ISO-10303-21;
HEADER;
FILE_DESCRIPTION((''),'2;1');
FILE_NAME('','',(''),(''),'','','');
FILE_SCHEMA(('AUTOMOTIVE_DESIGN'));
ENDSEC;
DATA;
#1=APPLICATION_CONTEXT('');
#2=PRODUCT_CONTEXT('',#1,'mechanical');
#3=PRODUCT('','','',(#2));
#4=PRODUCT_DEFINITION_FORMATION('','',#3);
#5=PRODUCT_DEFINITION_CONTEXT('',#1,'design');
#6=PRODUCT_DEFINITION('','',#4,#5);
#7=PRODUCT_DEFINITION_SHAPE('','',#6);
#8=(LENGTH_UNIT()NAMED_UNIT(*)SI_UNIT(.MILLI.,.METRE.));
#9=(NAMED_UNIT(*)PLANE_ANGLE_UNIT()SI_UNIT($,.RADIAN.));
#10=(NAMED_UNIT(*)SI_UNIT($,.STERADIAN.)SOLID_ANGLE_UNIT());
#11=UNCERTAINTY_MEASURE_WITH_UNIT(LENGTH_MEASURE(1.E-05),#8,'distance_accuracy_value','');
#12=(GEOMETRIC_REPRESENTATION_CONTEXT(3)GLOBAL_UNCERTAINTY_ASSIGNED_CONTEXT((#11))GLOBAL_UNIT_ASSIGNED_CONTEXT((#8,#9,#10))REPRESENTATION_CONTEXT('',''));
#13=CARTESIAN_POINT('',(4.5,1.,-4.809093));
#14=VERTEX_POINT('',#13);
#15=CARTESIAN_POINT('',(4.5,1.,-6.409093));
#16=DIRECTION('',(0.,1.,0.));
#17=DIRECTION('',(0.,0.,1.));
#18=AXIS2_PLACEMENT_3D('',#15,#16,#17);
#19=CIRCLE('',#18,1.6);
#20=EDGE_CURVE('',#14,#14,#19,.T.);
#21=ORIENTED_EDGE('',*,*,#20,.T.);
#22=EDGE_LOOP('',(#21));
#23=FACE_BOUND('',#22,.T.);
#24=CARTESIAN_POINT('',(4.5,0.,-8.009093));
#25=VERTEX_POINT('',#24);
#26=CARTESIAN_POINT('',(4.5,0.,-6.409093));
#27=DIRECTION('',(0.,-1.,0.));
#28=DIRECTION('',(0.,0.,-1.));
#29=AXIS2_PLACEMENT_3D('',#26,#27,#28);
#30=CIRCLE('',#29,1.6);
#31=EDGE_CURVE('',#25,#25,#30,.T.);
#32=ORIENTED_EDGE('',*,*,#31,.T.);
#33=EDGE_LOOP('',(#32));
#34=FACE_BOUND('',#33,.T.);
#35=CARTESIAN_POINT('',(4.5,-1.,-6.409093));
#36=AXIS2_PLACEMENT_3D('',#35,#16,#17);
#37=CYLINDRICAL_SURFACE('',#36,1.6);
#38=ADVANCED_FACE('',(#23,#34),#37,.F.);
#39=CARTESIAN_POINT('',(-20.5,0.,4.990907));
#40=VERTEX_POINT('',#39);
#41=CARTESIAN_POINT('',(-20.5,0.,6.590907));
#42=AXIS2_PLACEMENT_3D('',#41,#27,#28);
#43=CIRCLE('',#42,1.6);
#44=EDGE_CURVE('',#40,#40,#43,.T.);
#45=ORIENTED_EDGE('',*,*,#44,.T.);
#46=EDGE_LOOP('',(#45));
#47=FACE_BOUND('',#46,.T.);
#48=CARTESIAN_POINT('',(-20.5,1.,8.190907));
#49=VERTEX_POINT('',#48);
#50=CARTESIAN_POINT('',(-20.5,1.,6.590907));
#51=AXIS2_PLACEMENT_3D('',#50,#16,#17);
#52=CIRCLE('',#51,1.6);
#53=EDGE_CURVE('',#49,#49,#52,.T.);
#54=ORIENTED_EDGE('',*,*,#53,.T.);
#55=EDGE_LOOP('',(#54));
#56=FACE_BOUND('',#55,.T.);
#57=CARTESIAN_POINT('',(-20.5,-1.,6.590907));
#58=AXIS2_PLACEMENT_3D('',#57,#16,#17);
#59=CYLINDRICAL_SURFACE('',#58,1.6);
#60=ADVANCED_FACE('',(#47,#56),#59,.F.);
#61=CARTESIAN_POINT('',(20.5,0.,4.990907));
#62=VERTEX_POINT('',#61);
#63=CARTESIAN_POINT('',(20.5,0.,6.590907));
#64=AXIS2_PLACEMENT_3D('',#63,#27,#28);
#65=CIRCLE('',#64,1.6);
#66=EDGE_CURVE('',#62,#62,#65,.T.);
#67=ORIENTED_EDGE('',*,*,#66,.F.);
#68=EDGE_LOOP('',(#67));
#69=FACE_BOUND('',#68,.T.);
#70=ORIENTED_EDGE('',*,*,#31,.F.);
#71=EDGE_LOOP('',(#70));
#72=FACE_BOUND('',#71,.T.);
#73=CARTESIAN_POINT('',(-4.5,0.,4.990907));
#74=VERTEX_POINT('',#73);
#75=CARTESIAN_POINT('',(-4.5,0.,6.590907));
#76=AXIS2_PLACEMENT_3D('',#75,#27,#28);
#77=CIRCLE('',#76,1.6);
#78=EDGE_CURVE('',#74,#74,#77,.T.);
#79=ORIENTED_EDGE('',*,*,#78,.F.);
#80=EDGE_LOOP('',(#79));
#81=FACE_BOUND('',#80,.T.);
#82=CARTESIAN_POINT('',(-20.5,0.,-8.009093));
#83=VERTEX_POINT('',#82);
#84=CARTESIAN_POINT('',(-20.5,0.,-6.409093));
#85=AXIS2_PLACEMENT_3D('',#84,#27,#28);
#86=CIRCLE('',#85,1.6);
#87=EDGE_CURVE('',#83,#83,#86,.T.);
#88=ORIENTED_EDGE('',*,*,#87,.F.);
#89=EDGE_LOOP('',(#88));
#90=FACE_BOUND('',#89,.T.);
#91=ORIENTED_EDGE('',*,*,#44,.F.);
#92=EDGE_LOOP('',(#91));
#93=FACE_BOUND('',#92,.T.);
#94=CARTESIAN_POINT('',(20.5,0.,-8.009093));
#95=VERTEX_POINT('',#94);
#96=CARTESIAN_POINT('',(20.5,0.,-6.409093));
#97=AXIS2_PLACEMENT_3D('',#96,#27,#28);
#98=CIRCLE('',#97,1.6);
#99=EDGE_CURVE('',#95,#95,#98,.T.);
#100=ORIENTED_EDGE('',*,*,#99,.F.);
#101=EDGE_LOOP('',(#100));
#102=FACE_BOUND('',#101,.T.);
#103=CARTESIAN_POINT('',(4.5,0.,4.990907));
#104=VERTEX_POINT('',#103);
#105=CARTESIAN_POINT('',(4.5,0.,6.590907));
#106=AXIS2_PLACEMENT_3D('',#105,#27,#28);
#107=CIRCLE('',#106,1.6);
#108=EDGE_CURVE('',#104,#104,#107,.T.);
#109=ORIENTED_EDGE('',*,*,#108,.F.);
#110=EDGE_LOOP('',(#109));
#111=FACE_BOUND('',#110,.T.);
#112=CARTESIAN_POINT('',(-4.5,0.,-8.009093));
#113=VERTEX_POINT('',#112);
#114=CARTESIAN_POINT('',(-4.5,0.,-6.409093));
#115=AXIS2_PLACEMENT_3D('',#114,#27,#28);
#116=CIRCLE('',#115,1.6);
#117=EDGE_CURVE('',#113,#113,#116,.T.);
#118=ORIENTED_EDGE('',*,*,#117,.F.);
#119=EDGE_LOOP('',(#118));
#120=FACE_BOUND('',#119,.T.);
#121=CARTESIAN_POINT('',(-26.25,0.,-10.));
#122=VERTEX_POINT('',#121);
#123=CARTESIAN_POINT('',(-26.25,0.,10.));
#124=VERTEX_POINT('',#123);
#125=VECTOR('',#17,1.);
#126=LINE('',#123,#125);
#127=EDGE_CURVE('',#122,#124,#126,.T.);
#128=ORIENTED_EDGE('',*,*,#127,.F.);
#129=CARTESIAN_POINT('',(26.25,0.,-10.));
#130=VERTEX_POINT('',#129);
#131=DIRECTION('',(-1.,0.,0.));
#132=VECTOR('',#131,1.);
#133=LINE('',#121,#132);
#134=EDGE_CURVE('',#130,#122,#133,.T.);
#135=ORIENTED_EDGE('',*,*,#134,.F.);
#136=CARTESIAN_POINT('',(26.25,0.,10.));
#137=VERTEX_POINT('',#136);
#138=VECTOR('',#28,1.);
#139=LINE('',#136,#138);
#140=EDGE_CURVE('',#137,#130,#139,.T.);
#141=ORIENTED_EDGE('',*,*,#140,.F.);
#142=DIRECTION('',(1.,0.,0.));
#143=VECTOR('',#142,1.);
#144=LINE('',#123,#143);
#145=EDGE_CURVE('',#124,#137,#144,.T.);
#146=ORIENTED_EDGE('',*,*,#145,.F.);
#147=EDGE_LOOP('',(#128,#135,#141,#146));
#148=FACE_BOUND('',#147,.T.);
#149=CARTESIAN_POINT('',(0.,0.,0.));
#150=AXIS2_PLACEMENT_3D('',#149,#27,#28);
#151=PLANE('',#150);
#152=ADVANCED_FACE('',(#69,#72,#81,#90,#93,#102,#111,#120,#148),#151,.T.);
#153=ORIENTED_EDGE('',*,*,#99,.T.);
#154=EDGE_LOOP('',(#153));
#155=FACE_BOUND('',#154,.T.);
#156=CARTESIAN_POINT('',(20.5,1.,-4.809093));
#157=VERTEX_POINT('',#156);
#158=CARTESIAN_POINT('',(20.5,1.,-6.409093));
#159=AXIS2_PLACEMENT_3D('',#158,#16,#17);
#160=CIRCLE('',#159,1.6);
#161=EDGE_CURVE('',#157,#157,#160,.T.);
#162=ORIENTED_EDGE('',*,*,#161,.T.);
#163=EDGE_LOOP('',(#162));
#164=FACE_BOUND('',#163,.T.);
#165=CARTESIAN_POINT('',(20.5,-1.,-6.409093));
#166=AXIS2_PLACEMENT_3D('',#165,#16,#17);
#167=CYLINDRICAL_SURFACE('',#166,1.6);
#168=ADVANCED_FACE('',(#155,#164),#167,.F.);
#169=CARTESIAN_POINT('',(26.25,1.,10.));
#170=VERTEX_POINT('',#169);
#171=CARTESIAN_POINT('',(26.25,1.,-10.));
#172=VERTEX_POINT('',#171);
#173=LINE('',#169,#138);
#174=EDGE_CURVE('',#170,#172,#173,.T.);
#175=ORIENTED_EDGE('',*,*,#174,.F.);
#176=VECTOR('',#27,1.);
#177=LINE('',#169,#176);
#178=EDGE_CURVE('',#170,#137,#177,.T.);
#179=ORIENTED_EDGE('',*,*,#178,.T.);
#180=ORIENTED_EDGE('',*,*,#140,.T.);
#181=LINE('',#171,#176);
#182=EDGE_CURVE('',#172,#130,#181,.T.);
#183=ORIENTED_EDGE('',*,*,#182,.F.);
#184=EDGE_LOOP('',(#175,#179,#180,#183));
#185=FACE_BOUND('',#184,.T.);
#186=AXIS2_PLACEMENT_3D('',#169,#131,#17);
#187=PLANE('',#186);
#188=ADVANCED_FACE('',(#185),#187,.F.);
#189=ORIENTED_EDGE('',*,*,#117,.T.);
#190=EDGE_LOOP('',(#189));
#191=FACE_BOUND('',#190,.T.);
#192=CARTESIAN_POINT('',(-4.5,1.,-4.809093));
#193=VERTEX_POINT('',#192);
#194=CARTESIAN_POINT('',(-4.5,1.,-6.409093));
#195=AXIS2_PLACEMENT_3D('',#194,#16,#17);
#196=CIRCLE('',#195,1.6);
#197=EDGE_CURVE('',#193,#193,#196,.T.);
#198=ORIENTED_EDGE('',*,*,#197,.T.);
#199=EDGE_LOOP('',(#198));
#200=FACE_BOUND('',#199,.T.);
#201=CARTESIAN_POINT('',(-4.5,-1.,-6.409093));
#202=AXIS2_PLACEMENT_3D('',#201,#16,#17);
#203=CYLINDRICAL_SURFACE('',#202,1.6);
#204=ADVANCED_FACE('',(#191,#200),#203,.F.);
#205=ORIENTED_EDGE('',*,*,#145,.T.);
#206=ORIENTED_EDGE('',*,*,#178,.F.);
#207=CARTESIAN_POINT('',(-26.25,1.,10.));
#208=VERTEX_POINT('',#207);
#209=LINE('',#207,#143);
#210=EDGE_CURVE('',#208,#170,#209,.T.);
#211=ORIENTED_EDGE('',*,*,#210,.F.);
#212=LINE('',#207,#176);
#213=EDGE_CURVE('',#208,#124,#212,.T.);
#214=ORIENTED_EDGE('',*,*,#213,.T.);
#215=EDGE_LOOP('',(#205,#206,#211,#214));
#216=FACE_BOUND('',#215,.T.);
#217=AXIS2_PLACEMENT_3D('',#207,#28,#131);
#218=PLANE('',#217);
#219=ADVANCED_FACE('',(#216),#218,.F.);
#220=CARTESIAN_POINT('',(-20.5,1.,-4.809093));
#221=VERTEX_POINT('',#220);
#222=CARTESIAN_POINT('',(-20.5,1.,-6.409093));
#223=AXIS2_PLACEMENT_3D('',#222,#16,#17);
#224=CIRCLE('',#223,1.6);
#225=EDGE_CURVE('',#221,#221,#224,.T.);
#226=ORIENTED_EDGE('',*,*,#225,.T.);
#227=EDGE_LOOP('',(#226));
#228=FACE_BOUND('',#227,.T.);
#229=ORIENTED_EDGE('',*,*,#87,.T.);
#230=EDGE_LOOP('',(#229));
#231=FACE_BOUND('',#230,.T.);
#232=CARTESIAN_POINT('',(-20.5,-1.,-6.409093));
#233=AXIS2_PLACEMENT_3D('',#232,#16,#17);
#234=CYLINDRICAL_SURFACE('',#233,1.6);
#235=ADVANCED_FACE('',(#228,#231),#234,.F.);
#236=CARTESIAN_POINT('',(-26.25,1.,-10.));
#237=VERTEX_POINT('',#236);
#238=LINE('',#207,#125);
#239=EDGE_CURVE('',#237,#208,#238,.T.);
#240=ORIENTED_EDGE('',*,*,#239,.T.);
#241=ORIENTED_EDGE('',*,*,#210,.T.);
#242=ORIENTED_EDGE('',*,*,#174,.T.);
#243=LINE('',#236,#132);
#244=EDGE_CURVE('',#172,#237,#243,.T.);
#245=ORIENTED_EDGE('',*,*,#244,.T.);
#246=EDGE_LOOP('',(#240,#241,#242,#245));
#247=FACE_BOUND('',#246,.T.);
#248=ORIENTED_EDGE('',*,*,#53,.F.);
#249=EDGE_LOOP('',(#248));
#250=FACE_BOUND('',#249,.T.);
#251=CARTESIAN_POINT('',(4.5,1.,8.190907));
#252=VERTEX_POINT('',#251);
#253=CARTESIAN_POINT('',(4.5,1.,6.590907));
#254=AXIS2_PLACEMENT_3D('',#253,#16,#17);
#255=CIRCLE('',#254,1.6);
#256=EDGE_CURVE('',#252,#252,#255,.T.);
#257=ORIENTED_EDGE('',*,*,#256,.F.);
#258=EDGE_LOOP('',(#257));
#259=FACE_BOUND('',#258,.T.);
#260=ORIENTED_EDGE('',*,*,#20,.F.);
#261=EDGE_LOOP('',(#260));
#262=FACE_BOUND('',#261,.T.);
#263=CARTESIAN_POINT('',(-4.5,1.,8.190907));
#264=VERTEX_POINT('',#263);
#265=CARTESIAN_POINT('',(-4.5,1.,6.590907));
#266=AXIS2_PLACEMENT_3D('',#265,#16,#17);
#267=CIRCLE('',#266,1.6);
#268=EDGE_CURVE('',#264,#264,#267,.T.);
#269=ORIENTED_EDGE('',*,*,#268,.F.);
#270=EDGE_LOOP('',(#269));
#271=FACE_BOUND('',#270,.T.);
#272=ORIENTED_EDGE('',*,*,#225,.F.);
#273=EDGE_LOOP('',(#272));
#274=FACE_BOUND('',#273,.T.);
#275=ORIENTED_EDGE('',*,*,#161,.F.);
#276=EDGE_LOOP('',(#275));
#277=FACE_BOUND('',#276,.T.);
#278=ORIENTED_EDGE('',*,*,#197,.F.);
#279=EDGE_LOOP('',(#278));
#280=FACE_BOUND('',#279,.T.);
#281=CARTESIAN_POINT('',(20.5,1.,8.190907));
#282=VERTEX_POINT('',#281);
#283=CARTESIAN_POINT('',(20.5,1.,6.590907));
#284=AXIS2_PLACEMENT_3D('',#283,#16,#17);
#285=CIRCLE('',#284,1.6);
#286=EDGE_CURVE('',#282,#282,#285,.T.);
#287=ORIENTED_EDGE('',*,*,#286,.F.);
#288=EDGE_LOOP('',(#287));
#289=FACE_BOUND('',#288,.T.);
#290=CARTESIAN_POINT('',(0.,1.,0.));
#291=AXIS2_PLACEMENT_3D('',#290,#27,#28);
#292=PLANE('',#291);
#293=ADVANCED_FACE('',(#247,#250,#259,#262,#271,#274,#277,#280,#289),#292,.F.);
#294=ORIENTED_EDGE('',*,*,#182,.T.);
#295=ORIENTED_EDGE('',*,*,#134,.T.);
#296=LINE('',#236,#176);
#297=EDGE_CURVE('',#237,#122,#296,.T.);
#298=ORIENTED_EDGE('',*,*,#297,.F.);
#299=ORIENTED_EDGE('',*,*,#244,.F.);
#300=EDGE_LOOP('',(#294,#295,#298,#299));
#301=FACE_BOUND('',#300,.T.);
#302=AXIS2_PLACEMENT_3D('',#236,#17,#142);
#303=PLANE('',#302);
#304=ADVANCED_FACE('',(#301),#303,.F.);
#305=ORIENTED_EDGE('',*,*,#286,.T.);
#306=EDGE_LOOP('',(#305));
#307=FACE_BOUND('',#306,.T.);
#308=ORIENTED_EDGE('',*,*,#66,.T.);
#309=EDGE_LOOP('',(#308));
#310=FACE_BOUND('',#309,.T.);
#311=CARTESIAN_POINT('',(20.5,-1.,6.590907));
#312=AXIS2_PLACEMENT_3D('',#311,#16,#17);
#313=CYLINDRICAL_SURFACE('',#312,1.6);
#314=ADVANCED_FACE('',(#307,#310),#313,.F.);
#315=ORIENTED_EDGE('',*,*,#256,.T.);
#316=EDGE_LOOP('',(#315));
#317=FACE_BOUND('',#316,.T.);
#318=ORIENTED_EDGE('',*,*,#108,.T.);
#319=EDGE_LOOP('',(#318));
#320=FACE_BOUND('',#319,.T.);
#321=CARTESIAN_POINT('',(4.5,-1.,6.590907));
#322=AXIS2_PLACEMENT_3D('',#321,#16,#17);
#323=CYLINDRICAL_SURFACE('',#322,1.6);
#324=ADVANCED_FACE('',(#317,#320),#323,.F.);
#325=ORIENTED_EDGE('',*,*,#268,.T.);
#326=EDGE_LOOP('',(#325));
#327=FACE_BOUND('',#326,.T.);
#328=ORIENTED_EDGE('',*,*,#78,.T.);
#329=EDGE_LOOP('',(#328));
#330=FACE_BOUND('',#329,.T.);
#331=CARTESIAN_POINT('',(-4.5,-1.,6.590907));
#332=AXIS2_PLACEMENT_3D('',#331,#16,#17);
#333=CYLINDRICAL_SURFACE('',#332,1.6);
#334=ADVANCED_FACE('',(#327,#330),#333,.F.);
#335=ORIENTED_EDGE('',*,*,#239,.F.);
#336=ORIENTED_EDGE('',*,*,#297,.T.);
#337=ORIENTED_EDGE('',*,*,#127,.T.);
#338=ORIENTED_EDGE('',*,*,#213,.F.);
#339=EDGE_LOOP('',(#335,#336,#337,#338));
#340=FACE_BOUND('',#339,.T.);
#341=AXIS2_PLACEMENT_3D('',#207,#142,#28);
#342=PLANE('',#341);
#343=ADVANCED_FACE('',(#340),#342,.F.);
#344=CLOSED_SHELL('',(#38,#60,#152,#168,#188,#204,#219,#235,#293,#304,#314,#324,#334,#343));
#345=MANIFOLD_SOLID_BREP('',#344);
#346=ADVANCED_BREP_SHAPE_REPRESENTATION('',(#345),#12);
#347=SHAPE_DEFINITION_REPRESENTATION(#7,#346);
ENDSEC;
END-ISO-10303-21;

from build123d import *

# Parameters (mm, degrees)
SKETCH1_W           = 52.5
SKETCH1_H           = 20
BOSS_EXTRUDE1_DEPTH = 1
SKETCH2_R           = 1.6
CUT_EXTRUDE1_DEPTH  = 2


with BuildPart() as part:
    # Sketch1 → Boss-Extrude1 (new body)
    with BuildSketch(Plane(origin=(0, 0, 0), x_dir=(1, 0, 0), z_dir=(0, 1, 0))):
        Rectangle(SKETCH1_W, SKETCH1_H)
    extrude(amount=BOSS_EXTRUDE1_DEPTH)

    # Sketch2 → Cut-Extrude1 (cut)
    with BuildSketch(Plane(origin=(0, 1, 0), x_dir=(1, 0, 0), z_dir=(0, 1, 0))):
        with Locations((-20.5, 6.409092896)):
            Circle(SKETCH2_R)
        with Locations((-4.5, 6.409092896)):
            Circle(SKETCH2_R)
        with Locations((4.5, 6.409092896)):
            Circle(SKETCH2_R)
        with Locations((20.5, 6.409092896)):
            Circle(SKETCH2_R)
        with Locations((-20.5, -6.590907104)):
            Circle(SKETCH2_R)
        with Locations((-4.5, -6.590907104)):
            Circle(SKETCH2_R)
        with Locations((4.5, -6.590907104)):
            Circle(SKETCH2_R)
        with Locations((20.5, -6.590907104)):
            Circle(SKETCH2_R)
    extrude(amount=-CUT_EXTRUDE1_DEPTH, mode=Mode.SUBTRACT)


solid = part.part
